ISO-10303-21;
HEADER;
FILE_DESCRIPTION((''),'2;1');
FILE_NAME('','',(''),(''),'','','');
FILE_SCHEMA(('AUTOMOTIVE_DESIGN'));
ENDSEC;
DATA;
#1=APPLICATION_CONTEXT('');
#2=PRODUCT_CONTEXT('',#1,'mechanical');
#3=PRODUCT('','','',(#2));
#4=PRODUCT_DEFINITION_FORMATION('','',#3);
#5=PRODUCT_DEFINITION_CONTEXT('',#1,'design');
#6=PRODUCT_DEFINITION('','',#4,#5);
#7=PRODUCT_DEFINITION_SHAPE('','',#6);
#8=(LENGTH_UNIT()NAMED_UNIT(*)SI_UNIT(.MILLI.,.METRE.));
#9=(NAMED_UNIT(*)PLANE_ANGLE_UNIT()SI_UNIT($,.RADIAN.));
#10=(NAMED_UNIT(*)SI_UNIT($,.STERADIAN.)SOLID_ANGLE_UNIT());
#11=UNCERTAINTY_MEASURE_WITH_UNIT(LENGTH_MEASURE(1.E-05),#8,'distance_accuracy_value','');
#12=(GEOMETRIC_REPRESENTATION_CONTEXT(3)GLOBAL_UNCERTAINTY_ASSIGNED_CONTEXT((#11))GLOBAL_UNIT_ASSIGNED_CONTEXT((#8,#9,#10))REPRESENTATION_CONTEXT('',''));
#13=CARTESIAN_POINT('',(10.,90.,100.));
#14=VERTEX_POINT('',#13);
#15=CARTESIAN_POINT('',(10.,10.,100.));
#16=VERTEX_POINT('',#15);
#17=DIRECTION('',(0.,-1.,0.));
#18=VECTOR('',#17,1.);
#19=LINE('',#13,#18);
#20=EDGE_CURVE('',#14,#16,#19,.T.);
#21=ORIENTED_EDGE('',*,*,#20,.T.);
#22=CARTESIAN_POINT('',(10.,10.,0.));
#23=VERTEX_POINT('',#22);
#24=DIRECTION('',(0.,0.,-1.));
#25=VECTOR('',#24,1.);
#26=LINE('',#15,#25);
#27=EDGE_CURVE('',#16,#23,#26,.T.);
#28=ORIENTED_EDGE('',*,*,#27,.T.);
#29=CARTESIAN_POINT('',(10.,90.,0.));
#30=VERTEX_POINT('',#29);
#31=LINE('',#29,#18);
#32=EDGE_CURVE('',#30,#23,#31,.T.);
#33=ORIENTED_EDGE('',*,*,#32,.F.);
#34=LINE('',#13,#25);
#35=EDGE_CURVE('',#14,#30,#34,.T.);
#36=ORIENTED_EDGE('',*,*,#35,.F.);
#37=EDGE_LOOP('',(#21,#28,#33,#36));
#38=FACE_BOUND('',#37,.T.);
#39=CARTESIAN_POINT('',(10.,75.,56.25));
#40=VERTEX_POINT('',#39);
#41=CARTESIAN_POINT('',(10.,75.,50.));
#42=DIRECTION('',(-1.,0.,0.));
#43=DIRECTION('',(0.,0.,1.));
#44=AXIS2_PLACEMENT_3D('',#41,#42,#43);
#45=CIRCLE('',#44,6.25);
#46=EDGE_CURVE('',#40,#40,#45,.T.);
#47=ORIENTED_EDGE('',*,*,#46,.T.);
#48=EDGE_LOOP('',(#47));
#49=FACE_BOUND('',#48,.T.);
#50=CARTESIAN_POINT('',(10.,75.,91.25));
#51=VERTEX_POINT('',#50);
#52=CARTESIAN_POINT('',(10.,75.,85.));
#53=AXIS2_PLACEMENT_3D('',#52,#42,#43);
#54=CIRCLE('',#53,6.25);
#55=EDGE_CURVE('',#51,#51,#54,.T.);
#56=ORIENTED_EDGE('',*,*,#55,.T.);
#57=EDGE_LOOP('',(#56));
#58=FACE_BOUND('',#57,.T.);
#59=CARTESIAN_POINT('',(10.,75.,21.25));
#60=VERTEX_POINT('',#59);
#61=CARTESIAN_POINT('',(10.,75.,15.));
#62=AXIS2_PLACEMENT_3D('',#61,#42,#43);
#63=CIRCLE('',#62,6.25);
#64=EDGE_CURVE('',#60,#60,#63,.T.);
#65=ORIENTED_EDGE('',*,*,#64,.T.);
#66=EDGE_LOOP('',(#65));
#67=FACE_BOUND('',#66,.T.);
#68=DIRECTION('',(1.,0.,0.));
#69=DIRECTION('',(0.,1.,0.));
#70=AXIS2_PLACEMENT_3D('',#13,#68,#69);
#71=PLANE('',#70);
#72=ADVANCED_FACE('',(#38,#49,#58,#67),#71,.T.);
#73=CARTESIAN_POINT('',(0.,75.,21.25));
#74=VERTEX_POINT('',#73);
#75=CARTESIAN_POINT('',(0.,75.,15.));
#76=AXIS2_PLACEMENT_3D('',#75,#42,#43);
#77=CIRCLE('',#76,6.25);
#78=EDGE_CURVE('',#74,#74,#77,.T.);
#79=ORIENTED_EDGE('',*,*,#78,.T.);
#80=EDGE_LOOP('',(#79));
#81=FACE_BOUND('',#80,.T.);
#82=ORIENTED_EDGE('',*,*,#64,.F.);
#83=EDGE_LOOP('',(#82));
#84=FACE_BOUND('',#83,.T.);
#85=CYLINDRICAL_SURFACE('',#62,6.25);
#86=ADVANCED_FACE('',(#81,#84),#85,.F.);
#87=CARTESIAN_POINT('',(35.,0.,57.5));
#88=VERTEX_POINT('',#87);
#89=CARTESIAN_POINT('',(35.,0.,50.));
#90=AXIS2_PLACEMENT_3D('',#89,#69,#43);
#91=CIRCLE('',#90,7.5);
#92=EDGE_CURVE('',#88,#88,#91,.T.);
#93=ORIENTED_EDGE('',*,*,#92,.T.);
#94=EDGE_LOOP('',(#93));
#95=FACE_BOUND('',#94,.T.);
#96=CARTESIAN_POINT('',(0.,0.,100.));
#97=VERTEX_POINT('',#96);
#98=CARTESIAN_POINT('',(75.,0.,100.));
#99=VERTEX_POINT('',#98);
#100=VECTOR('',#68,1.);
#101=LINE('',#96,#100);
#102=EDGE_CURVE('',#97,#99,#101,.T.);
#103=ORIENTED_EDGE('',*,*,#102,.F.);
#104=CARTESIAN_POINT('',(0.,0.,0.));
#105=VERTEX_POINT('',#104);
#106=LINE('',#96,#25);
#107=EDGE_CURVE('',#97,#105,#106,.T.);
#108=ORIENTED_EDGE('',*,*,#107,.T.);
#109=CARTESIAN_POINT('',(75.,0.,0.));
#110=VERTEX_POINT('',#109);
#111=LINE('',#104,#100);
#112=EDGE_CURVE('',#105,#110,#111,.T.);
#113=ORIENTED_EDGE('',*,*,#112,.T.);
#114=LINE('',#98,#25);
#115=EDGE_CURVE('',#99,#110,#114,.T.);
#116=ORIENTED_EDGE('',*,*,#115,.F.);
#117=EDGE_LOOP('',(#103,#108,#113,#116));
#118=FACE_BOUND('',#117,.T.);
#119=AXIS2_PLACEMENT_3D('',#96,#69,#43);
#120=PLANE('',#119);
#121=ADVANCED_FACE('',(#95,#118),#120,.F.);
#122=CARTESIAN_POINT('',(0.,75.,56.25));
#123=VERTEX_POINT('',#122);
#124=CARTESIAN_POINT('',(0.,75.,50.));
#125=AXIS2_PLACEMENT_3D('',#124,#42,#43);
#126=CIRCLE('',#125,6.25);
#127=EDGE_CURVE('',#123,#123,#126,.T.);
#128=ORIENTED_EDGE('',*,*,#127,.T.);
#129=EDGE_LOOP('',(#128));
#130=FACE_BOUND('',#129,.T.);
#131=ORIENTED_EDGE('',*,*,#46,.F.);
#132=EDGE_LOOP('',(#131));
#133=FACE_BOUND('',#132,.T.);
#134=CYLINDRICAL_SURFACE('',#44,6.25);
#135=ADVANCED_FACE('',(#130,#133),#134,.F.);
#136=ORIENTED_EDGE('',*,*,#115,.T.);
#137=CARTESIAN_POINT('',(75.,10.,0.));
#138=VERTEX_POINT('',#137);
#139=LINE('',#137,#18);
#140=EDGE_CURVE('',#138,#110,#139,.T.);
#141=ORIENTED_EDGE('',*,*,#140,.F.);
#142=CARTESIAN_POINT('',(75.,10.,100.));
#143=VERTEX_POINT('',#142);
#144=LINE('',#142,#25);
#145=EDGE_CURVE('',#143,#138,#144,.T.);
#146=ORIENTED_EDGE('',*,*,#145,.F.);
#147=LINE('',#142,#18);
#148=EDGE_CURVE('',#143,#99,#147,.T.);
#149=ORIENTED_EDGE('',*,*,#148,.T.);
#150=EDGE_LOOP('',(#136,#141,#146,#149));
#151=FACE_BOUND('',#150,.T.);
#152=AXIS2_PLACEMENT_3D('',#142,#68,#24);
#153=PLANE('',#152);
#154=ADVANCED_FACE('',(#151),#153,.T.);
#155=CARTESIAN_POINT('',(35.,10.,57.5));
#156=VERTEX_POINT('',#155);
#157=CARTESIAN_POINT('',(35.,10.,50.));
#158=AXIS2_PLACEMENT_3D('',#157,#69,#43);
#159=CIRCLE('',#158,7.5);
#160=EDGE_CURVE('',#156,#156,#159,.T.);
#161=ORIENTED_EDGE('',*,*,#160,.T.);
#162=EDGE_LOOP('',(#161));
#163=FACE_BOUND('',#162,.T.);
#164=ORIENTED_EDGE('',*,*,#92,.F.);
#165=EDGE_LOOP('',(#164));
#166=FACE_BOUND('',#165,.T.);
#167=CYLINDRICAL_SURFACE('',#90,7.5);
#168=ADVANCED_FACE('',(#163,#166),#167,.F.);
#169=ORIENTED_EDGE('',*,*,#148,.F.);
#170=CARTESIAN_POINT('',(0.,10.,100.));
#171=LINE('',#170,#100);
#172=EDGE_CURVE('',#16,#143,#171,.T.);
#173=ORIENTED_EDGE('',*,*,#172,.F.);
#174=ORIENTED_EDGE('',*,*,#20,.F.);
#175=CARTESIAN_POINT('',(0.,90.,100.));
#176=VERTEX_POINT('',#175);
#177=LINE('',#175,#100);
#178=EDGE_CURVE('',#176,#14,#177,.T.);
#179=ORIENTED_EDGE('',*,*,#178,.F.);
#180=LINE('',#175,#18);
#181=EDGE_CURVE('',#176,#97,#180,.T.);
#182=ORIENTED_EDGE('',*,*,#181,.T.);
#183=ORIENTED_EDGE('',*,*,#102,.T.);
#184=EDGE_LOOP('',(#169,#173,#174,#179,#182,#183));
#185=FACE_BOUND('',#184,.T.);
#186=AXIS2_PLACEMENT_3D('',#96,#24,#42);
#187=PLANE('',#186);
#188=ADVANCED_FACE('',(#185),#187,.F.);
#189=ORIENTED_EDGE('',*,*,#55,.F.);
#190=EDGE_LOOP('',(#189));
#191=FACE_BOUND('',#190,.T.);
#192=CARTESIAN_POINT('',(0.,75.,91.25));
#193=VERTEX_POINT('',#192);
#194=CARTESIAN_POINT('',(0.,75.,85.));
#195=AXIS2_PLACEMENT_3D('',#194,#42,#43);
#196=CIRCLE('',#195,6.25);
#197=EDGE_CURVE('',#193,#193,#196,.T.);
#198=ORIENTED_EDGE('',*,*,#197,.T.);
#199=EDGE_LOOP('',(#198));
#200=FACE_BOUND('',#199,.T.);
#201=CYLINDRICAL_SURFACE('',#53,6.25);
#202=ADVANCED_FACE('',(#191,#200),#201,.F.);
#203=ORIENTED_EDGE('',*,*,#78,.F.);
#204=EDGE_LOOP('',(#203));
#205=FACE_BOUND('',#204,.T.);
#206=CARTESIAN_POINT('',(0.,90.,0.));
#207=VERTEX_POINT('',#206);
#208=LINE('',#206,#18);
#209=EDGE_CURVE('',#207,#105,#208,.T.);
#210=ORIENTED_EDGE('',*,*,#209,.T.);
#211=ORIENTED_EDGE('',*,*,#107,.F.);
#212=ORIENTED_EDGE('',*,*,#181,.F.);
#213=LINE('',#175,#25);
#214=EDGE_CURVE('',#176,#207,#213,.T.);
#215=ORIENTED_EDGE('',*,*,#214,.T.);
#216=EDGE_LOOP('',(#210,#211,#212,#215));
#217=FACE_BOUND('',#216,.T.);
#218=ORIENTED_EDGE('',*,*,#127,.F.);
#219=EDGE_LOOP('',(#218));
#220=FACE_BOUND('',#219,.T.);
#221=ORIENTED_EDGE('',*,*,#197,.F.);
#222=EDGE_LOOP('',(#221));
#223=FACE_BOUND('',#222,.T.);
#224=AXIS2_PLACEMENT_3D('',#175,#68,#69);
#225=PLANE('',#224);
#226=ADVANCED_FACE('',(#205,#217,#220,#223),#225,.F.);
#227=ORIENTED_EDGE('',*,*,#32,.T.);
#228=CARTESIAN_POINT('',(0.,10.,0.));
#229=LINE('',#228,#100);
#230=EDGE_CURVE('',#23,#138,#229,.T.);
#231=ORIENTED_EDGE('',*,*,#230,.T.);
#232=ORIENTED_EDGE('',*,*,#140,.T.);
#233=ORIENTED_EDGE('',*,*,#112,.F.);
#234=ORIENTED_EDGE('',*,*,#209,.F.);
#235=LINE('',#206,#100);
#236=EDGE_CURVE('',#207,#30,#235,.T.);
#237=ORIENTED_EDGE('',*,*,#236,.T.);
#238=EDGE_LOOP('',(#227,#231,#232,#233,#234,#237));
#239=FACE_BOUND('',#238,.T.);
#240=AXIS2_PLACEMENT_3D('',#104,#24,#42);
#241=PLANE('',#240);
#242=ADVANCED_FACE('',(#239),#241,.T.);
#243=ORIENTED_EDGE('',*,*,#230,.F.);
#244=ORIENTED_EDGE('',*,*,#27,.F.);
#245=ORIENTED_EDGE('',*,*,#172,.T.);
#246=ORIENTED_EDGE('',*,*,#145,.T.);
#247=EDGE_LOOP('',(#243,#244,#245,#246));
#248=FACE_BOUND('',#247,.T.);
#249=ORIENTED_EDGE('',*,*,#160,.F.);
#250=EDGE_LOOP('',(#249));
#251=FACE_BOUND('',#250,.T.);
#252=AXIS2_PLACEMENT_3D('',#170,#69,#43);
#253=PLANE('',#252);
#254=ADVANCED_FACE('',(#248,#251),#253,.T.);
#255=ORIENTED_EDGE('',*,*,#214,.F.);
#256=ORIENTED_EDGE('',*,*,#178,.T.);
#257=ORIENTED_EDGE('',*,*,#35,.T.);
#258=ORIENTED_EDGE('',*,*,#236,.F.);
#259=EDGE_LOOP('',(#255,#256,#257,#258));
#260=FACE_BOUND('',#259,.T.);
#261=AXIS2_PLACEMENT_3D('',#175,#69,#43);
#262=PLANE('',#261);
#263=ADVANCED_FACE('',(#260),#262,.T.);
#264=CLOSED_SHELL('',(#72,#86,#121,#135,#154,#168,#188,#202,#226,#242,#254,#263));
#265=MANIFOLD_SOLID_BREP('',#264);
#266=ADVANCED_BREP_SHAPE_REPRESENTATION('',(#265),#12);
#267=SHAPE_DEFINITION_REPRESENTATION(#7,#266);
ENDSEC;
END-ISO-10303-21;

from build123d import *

# Parameters (mm, degrees)
EXTRUIR_L_MINA1_DEPTH = 100
CROQUIS2_R            = 6.25
CORTAR_EXTRUIR1_DEPTH = 10
CROQUIS3_R            = 7.5
CORTAR_EXTRUIR2_DEPTH = 10


with BuildPart() as part:
    # Croquis1 → Extruir-Lámina1 (new body)
    with BuildSketch(Plane.XY):
        Polygon((0, 90), (0, 0), (75, 0), (75, 10), (10, 10), (10, 90), align=None)
    extrude(amount=EXTRUIR_L_MINA1_DEPTH)

    # Croquis2 → Cortar-Extruir1 (cut)
    with BuildSketch(Plane.ZY):
        with Locations((15, 75)):
            Circle(CROQUIS2_R)
        with Locations((50, 75)):
            Circle(CROQUIS2_R)
        with Locations((85, 75)):
            Circle(CROQUIS2_R)
    extrude(amount=-CORTAR_EXTRUIR1_DEPTH, mode=Mode.SUBTRACT)

    # Croquis3 → Cortar-Extruir2 (cut)
    with BuildSketch(Plane(origin=(0, 10, 0), x_dir=(1, 0, 0), z_dir=(0, 1, 0))):
        with Locations(Location((35, -50, 0), (0, 0, 270))):
            Circle(CROQUIS3_R)
    extrude(amount=-CORTAR_EXTRUIR2_DEPTH, mode=Mode.SUBTRACT)


solid = part.part
